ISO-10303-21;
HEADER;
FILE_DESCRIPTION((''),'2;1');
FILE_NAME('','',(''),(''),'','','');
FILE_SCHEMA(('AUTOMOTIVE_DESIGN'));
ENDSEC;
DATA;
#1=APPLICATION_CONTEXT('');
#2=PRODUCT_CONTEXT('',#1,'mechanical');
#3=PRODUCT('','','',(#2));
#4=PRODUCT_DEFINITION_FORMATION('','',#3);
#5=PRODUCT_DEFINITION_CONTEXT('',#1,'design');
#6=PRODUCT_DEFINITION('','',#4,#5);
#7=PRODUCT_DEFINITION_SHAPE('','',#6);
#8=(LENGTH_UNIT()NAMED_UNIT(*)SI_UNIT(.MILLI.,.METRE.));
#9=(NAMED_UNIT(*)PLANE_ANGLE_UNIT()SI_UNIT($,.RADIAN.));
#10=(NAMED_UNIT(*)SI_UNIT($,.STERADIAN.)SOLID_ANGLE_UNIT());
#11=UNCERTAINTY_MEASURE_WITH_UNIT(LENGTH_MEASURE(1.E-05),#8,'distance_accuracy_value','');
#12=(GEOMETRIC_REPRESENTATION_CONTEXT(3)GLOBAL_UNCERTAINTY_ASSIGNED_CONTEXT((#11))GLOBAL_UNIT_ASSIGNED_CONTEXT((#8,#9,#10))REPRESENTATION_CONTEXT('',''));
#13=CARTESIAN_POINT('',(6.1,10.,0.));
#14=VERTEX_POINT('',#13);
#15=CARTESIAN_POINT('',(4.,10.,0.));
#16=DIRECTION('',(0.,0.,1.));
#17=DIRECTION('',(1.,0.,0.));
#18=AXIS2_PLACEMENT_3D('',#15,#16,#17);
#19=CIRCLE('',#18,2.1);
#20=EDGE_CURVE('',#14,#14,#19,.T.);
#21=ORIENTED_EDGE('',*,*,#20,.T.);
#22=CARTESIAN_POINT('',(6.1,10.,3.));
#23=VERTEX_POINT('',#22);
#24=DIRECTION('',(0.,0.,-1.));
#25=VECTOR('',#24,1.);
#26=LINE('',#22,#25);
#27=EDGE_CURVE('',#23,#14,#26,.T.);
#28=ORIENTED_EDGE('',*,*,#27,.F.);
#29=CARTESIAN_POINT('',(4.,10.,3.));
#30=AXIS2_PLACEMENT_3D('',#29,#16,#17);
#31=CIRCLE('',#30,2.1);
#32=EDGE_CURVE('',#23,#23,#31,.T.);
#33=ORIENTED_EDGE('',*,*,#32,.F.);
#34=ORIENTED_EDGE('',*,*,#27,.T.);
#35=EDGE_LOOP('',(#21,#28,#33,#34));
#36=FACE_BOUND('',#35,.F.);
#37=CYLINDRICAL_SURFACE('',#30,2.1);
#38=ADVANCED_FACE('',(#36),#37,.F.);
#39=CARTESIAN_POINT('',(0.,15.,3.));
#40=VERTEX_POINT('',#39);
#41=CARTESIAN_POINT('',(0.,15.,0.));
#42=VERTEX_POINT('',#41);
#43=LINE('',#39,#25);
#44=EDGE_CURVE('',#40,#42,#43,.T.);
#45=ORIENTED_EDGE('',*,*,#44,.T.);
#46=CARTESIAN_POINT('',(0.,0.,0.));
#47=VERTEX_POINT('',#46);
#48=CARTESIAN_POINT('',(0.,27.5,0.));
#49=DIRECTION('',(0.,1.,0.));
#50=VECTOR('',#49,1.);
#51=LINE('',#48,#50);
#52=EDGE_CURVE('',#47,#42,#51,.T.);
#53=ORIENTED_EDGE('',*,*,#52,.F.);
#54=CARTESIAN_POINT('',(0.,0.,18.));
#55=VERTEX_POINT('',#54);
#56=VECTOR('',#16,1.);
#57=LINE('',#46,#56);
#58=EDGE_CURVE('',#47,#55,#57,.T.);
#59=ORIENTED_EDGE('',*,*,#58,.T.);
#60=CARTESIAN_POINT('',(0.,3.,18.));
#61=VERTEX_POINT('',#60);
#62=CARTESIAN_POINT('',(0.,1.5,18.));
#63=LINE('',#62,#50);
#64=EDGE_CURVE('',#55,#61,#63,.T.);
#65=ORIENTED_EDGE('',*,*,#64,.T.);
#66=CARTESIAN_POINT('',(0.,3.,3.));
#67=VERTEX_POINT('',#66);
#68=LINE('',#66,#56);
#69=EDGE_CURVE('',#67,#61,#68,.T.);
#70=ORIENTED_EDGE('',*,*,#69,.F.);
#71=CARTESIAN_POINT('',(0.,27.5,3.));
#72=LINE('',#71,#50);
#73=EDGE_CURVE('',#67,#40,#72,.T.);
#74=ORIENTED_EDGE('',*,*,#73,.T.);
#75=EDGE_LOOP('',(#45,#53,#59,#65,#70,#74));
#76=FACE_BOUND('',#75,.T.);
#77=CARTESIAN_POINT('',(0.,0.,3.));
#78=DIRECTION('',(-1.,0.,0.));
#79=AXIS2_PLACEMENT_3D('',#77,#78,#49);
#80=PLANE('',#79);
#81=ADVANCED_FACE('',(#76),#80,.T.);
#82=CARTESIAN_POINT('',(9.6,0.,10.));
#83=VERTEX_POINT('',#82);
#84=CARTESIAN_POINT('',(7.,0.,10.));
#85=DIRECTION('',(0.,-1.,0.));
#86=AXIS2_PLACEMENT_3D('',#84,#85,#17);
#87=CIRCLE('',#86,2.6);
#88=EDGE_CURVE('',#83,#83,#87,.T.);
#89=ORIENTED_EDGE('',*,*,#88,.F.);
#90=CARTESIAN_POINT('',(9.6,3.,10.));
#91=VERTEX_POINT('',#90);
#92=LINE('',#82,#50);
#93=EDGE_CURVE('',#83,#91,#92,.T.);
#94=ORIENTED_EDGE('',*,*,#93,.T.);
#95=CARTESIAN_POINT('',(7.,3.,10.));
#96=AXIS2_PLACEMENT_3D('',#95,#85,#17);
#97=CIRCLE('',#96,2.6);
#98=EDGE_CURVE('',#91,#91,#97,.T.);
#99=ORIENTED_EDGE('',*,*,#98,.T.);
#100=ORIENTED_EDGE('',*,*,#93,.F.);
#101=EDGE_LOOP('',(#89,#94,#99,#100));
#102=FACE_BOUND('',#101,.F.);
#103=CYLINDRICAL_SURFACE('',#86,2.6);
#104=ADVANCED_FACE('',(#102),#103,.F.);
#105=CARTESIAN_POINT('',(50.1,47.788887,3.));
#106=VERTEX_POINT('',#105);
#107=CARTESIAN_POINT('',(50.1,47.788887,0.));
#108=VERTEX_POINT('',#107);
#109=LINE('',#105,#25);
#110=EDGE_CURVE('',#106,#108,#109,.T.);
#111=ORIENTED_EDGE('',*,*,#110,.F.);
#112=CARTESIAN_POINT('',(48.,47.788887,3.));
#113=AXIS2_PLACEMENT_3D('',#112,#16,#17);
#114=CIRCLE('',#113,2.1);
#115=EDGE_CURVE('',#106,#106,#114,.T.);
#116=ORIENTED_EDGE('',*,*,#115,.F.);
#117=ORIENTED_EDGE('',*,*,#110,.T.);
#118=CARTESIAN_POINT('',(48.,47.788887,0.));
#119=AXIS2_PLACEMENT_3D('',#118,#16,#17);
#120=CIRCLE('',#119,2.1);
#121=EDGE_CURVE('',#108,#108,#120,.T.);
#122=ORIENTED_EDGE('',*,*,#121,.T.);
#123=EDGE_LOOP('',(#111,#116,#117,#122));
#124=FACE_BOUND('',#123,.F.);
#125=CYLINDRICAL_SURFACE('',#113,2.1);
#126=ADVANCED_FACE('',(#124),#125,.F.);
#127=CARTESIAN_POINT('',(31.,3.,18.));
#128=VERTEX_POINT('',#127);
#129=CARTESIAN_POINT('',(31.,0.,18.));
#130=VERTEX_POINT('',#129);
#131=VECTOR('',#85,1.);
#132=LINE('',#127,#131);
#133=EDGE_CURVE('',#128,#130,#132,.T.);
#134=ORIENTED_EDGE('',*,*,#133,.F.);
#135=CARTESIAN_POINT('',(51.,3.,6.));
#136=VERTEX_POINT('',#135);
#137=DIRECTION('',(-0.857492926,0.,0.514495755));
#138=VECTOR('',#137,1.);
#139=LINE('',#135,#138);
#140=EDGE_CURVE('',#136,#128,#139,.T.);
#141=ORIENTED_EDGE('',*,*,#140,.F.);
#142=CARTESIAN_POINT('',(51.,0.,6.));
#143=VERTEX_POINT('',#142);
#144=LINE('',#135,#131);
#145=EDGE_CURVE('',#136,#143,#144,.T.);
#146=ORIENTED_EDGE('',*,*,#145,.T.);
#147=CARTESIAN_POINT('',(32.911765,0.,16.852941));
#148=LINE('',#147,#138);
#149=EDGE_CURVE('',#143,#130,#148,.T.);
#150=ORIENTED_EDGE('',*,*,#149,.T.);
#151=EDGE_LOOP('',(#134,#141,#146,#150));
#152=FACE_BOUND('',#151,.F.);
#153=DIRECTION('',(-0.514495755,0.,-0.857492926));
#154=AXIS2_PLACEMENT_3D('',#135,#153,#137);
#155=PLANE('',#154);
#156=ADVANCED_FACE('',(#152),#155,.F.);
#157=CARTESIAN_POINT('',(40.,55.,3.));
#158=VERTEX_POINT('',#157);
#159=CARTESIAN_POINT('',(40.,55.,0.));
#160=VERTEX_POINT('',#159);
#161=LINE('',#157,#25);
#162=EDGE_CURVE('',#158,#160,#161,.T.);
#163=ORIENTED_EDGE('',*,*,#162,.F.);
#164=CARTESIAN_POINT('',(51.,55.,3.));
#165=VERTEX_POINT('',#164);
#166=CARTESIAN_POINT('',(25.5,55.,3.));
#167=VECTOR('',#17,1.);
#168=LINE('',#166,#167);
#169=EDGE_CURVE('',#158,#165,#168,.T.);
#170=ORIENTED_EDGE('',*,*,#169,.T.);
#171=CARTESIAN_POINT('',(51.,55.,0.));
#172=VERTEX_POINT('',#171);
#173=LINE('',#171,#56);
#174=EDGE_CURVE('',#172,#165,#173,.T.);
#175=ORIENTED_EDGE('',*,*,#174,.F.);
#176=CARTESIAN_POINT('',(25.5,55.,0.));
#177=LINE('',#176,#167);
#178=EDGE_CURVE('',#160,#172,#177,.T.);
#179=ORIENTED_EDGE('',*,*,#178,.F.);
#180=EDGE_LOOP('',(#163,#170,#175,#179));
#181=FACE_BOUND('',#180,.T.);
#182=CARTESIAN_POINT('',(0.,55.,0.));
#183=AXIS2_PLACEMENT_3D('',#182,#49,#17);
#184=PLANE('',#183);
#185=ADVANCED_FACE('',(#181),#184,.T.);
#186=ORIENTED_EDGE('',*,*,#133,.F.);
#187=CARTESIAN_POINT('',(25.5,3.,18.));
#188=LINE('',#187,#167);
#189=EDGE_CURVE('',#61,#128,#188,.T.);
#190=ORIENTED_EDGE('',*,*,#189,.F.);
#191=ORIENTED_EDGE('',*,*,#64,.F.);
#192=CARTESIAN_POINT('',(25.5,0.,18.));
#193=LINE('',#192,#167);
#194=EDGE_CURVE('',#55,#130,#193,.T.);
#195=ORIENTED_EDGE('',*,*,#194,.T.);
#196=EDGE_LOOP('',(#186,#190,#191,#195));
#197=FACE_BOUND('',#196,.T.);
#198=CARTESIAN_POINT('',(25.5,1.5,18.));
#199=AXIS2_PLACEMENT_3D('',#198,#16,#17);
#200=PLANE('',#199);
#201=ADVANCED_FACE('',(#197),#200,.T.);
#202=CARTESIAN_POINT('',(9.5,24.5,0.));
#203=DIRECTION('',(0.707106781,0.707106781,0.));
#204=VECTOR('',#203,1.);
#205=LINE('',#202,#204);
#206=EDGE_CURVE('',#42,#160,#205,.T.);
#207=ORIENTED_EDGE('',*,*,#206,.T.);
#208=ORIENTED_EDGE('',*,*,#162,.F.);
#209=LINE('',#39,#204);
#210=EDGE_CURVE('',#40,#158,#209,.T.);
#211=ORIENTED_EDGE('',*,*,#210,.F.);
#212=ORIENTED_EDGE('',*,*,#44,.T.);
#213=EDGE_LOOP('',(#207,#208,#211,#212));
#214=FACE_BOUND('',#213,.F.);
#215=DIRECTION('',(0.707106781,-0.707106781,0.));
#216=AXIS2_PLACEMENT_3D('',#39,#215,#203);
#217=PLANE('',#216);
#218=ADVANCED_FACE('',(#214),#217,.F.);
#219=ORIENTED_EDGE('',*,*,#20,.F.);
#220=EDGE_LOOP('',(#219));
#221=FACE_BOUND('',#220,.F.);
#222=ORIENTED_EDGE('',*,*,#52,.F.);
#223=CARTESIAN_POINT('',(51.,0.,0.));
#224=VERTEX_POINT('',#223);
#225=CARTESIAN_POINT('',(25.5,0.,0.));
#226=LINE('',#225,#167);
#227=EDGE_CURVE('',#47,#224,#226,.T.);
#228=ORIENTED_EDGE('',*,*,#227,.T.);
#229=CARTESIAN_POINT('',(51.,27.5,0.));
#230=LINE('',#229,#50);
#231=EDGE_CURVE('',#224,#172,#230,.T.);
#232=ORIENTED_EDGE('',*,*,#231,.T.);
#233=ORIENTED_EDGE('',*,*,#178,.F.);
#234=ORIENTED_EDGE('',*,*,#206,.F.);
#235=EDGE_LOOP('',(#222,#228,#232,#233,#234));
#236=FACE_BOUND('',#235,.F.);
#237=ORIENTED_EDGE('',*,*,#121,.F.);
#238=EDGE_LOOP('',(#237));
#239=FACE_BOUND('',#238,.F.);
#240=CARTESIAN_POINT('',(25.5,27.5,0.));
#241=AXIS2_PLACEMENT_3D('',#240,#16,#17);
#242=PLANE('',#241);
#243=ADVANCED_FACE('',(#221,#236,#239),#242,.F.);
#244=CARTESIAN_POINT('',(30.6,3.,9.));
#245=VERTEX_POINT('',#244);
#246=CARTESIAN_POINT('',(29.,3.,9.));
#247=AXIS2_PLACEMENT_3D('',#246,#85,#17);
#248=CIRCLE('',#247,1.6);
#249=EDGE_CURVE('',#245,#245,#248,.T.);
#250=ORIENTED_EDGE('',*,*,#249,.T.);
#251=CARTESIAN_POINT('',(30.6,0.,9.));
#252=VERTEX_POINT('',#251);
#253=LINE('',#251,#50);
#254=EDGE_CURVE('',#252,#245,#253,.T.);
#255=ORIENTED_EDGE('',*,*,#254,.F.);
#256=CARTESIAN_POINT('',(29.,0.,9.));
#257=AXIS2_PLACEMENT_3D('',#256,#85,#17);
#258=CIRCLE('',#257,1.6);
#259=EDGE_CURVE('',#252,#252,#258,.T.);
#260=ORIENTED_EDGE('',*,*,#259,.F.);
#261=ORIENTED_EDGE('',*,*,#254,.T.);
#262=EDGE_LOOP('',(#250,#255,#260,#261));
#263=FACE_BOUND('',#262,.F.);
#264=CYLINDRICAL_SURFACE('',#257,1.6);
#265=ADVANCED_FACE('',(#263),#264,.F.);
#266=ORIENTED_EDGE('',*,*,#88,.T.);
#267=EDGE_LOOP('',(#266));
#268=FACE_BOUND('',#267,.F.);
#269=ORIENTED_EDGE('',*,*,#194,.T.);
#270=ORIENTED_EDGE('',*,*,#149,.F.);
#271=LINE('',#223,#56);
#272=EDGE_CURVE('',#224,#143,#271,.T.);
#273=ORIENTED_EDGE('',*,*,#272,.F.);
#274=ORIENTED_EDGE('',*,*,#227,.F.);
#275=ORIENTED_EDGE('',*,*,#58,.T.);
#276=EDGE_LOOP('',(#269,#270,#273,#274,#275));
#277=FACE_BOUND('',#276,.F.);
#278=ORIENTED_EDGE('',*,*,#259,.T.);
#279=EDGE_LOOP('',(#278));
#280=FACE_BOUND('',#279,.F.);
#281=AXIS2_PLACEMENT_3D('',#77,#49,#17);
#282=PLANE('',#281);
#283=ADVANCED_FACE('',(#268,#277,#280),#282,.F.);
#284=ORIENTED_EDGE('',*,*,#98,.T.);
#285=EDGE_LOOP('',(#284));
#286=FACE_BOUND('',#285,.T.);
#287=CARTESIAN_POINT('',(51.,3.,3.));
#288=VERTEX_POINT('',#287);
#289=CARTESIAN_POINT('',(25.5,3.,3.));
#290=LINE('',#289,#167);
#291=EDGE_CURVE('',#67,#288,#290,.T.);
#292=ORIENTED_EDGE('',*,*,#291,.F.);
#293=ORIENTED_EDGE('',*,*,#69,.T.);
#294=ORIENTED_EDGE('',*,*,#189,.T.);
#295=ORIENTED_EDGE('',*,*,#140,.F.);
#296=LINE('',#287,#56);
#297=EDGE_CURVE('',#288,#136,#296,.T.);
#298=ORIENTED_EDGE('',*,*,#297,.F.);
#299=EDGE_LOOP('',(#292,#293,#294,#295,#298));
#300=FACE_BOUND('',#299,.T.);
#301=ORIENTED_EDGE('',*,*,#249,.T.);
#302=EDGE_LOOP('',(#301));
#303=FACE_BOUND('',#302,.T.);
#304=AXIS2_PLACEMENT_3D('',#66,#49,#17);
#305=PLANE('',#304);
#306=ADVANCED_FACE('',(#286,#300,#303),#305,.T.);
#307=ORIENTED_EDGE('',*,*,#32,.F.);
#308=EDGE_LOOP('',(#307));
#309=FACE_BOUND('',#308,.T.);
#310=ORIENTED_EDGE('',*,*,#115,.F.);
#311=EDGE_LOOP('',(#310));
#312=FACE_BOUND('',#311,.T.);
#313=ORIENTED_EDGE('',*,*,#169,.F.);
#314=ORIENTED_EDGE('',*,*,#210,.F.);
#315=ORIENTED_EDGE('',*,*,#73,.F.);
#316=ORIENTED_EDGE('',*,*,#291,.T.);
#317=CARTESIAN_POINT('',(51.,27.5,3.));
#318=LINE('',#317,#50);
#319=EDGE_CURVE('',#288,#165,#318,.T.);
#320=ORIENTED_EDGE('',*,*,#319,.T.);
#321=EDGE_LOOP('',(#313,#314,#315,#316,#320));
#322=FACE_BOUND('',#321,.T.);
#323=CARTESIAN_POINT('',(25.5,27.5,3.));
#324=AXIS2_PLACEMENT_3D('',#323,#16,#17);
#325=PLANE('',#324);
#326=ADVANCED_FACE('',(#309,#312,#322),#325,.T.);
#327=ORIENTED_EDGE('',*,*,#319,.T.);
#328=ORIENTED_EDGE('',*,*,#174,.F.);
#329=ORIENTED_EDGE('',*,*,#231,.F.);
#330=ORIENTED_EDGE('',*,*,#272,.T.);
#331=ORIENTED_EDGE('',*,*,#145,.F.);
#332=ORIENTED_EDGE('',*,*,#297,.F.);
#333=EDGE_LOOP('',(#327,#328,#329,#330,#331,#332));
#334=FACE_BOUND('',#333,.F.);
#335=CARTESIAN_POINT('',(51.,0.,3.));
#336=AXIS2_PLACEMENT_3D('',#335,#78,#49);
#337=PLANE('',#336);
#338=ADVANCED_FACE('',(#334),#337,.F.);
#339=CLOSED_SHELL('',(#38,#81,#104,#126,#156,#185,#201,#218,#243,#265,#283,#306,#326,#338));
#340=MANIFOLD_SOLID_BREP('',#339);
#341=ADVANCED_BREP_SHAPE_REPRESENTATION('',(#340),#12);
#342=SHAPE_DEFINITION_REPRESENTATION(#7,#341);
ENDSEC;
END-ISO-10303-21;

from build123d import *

# Parameters (mm, degrees)
F0_W      = 51
F0_H      = 55
F1_DEPTH  = 3
F2_W      = 51
F2_H      = 3
F3_DEPTH  = 15
F4_R      = 2.6
F4_R_2    = 1.6
F5_DEPTH  = 25
F6_R      = 2.1
F7_DEPTH  = 25
F9_DEPTH  = 25
F11_DEPTH = 25


with BuildPart() as f1:
    # F0 (on Top) → F1 (new body)
    with BuildSketch(Plane.XY):
        with Locations((25.5, 27.5)):
            Rectangle(F0_W, F0_H)
    extrude(amount=F1_DEPTH)

    # F2 (on face) → F3 (join)
    with BuildSketch(Plane.XY.offset(3)):
        with Locations((25.5, 1.5)):
            Rectangle(F2_W, F2_H)
    extrude(amount=F3_DEPTH)

    # F4 (on face) → F5 (cut)
    with BuildSketch(Plane.XZ):
        with Locations((7, 10)):
            Circle(F4_R)
        with Locations((29, 9)):
            Circle(F4_R_2)
    extrude(amount=-F5_DEPTH, mode=Mode.SUBTRACT)

    # F6 (on face) → F7 (cut)
    with BuildSketch(Plane.XY.offset(3)):
        with Locations((4, 10)):
            Circle(F6_R)
        with Locations((48, 47.788887)):
            Circle(F6_R)
    extrude(amount=-F7_DEPTH, mode=Mode.SUBTRACT)

    # F8 (on face) → F9 (cut)
    with BuildSketch(Plane.XY.offset(3)):
        Polygon((0, 15), (40, 55), (0, 55), align=None)
    extrude(amount=-F9_DEPTH, mode=Mode.SUBTRACT)

    # F10 (on face) → F11 (cut)
    with BuildSketch(Plane(origin=(0, 3, 0), x_dir=(-1, 0, 0), z_dir=(0, 1, 0))):
        Polygon((-51, 6), (-31, 18), (-51, 18), align=None)
    extrude(amount=-F11_DEPTH, mode=Mode.SUBTRACT)


solid = f1.part
